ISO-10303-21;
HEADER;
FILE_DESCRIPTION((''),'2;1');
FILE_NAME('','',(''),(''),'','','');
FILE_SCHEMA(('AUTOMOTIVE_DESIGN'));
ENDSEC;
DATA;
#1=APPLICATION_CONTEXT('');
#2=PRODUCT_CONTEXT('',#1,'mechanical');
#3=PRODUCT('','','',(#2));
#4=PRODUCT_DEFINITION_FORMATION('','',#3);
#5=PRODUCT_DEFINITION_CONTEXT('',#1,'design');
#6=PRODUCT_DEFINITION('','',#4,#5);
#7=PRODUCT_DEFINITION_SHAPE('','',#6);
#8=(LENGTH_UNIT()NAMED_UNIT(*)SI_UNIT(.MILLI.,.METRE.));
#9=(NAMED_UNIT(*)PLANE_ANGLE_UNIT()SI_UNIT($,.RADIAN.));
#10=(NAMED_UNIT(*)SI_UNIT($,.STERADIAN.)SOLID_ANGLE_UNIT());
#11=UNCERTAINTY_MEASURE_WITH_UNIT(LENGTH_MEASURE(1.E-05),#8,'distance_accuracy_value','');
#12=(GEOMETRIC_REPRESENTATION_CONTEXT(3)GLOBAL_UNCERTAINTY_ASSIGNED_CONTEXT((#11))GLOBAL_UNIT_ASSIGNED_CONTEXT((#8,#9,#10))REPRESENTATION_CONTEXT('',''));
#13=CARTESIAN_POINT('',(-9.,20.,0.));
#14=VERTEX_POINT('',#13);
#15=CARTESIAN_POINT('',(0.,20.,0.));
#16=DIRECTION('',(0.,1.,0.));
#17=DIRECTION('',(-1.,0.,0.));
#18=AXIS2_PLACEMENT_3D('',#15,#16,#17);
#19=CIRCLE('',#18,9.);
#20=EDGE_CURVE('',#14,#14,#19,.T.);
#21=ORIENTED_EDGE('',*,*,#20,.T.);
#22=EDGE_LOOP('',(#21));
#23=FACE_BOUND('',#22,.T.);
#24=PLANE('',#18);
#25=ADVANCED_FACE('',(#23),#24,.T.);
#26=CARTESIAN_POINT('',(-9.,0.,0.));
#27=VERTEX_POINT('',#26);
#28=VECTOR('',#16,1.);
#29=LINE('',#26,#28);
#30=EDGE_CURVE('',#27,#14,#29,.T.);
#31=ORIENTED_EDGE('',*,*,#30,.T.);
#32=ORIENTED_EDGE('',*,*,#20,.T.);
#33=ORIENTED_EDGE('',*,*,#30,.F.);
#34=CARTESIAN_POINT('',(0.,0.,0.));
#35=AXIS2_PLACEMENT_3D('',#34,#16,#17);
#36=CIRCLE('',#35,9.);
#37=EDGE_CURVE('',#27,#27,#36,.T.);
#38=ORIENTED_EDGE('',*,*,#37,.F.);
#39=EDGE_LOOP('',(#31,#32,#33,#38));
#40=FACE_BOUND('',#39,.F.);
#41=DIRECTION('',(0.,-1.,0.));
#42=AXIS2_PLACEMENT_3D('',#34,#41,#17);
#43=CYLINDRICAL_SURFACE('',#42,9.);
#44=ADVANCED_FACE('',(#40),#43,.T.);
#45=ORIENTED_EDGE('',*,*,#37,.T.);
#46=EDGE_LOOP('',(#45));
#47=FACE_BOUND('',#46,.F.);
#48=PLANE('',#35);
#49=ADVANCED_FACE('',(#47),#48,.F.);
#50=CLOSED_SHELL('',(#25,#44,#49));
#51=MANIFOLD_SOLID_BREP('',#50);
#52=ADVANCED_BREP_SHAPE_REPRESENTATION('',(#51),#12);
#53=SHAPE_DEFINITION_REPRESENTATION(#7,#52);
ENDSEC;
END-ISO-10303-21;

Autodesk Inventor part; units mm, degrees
ref_plane "YZ Plane" through (0, 0, 0) normal (1, 0, 0) x (0, 1, 0)
ref_plane "XZ Plane" through (0, 0, 0) normal (0, 1, 0) x (-1, 0, 0)
ref_plane "XY Plane" through (0, 0, 0) normal (0, 0, 1) x (1, 0, 0)
sketch "Эскиз1" plane through (0, 0, 0) normal (0, 1, 0) x (-1, 0, 0)
  circle A0 centre (0, 0) radius 9
  dimension "d0" = 18
extrude "Выдавливание1" add sketch "Эскиз1" along normal blind 20
properties part number "Энкодер"
